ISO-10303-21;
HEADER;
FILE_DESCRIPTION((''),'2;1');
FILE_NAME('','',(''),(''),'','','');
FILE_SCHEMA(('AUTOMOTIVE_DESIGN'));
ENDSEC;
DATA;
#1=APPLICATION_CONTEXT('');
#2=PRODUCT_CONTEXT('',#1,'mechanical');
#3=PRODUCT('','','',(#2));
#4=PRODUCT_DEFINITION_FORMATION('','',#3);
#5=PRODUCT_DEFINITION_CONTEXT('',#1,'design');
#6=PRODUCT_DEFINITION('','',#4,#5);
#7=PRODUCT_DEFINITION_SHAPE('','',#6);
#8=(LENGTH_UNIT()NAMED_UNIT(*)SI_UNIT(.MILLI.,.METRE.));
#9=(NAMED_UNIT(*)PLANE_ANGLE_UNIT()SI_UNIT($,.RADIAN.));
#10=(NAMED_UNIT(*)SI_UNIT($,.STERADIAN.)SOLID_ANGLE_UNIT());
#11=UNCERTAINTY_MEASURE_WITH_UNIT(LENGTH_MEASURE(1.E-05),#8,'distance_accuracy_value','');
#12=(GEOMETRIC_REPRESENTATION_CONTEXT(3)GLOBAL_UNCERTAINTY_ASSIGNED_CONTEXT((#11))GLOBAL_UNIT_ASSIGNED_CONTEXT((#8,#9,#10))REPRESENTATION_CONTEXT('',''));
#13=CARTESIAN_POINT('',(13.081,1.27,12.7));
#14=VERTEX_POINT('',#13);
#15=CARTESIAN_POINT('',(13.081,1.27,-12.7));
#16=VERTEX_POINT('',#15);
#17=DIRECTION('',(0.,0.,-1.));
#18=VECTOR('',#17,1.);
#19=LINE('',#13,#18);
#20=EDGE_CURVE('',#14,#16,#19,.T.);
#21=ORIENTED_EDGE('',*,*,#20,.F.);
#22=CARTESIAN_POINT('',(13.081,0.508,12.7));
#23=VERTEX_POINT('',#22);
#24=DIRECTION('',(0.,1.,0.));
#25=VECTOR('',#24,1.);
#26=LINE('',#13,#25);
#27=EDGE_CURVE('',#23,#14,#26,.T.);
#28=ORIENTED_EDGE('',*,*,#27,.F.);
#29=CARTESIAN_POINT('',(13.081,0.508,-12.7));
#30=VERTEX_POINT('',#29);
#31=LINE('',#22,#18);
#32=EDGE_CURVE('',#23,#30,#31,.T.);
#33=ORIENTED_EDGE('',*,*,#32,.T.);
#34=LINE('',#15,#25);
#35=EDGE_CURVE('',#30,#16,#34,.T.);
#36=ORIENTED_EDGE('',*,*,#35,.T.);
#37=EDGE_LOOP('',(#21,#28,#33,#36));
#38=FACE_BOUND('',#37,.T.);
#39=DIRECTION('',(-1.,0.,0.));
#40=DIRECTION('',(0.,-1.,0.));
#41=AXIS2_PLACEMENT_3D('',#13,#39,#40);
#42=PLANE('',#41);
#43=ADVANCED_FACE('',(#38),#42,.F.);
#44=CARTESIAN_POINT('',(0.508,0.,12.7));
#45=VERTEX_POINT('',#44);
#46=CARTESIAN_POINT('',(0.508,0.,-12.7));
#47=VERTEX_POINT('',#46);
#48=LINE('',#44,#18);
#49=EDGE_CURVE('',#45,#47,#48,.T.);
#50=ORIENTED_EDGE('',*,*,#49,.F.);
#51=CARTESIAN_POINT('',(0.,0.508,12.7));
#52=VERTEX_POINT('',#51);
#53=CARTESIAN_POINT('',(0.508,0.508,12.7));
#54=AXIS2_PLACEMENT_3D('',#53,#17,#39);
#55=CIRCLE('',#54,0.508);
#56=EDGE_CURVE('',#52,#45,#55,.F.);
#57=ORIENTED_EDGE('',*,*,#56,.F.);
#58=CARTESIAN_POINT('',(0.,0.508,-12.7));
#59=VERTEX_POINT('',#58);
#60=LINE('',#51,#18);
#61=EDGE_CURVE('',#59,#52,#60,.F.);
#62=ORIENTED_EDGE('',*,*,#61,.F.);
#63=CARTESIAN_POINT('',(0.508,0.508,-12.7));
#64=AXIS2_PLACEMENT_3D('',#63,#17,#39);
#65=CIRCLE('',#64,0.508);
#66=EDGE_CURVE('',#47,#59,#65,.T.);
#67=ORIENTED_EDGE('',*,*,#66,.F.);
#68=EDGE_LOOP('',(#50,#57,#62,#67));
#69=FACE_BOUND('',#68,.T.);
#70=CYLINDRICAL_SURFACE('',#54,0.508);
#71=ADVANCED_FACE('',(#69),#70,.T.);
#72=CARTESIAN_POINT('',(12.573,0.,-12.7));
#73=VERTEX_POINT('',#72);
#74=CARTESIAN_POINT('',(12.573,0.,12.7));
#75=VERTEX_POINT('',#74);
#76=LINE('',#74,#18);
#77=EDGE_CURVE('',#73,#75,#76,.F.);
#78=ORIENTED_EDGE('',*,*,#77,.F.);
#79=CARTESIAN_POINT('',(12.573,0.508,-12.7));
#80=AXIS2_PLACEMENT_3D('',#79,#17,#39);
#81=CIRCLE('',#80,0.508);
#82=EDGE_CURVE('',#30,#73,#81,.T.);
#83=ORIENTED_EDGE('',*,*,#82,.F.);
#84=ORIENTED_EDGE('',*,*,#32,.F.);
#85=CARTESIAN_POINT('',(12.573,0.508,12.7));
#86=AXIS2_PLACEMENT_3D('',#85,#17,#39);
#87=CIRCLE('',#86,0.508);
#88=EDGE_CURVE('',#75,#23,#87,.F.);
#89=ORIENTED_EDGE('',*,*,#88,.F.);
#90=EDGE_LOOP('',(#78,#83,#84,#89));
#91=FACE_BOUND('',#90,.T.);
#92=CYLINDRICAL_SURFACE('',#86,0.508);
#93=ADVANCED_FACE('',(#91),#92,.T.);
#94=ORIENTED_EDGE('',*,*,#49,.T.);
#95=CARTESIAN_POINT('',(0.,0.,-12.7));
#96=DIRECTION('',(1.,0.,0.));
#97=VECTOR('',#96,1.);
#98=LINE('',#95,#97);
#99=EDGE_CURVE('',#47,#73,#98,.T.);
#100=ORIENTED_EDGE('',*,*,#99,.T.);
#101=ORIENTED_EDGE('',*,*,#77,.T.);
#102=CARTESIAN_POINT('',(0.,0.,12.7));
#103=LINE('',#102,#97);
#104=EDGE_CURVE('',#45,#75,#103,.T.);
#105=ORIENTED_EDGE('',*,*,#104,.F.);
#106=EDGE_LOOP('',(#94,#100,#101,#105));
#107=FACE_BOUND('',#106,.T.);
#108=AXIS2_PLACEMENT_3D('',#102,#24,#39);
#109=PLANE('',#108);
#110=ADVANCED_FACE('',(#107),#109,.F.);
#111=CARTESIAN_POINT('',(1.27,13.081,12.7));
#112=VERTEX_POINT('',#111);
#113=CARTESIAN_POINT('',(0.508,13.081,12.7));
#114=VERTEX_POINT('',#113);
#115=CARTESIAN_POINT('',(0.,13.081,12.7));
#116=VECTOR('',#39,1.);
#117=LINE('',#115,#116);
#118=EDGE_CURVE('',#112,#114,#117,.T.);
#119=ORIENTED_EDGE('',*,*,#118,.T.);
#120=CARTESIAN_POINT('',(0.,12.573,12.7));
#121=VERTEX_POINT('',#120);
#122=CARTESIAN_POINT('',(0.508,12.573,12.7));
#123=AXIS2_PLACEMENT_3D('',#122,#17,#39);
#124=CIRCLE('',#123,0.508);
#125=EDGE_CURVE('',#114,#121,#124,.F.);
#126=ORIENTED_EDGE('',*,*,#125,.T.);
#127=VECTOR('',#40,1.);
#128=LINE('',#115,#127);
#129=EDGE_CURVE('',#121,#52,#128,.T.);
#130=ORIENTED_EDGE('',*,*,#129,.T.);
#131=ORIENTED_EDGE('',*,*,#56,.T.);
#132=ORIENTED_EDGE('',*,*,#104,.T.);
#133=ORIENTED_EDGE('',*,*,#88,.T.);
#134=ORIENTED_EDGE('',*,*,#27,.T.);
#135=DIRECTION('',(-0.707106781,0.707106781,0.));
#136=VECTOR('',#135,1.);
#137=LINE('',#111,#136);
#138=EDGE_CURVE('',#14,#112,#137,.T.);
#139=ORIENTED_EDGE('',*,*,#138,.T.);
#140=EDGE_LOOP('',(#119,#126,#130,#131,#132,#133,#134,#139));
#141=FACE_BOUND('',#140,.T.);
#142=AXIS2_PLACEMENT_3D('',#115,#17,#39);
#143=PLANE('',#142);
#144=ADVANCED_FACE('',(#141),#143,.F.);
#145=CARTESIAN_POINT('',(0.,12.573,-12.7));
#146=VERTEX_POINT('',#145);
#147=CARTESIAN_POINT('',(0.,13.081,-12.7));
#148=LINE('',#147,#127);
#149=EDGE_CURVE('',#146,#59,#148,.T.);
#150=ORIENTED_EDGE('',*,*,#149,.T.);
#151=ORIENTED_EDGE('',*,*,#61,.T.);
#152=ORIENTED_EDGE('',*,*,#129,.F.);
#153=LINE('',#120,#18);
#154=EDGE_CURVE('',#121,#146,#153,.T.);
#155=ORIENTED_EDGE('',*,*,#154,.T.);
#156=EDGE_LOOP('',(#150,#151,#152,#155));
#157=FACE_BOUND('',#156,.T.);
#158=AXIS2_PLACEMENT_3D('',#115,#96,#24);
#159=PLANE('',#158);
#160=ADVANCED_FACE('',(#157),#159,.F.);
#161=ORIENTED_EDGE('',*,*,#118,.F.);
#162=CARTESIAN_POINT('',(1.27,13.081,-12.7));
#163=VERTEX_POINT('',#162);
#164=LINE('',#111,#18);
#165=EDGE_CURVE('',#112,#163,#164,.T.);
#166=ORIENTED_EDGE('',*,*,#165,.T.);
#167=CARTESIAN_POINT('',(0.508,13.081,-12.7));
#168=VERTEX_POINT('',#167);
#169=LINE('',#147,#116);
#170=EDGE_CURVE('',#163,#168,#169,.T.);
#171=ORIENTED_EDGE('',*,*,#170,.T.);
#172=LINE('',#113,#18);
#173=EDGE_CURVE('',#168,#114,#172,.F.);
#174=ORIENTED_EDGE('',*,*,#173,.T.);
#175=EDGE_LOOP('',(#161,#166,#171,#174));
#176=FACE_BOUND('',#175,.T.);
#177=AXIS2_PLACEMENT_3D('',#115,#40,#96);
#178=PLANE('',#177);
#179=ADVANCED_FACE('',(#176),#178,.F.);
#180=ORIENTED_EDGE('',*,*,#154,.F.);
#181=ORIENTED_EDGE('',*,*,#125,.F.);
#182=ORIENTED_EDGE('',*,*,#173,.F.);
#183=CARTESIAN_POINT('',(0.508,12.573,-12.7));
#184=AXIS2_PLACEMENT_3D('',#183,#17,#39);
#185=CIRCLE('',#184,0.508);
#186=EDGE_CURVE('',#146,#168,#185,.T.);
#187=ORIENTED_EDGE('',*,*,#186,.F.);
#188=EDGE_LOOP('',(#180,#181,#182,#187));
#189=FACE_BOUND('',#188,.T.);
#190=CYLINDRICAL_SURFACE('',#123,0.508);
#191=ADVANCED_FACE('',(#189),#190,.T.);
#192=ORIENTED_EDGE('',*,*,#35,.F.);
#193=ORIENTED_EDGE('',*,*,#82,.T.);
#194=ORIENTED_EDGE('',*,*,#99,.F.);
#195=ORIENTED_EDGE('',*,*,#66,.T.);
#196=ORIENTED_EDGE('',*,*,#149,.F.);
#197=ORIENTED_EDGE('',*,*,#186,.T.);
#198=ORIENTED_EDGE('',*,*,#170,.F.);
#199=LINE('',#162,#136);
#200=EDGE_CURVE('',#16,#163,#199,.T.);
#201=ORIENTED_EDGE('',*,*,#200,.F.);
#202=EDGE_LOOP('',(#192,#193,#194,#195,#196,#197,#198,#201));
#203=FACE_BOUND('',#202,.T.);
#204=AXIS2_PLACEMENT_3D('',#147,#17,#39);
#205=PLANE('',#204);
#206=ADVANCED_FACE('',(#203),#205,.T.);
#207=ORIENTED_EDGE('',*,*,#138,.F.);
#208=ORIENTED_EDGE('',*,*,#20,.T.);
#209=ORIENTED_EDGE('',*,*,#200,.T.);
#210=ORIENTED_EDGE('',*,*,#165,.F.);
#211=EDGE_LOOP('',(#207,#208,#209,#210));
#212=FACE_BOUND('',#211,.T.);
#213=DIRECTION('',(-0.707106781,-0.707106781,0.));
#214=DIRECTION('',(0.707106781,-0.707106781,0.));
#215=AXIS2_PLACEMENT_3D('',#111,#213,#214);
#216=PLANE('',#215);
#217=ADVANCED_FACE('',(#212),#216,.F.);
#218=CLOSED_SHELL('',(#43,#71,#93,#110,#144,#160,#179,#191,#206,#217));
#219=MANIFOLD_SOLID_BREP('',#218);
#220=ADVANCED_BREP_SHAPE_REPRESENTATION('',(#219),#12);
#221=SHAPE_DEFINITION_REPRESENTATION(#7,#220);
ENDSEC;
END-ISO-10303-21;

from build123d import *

# Parameters (mm, degrees)
EXTRUDE1_DEPTH = 12.7
FILLET1_R      = 0.508


with BuildPart() as part:
    # Sketch1 → Extrude1 (new body, symmetric)
    with BuildSketch(Plane.XY):
        Polygon((0, 13.081), (0, 0), (13.081, 0), (13.081, 1.27), (1.27, 13.081), align=None)
    extrude(amount=EXTRUDE1_DEPTH, both=True)

    # Fillet1
    fillet1_edges = [part.edges().sort_by_distance(p)[0] for p in [
        (13.081, 0, 0),
        (0, 0, 0),
        (0, 13.081, 0),
    ]]
    fillet(fillet1_edges, radius=FILLET1_R)


solid = part.part
